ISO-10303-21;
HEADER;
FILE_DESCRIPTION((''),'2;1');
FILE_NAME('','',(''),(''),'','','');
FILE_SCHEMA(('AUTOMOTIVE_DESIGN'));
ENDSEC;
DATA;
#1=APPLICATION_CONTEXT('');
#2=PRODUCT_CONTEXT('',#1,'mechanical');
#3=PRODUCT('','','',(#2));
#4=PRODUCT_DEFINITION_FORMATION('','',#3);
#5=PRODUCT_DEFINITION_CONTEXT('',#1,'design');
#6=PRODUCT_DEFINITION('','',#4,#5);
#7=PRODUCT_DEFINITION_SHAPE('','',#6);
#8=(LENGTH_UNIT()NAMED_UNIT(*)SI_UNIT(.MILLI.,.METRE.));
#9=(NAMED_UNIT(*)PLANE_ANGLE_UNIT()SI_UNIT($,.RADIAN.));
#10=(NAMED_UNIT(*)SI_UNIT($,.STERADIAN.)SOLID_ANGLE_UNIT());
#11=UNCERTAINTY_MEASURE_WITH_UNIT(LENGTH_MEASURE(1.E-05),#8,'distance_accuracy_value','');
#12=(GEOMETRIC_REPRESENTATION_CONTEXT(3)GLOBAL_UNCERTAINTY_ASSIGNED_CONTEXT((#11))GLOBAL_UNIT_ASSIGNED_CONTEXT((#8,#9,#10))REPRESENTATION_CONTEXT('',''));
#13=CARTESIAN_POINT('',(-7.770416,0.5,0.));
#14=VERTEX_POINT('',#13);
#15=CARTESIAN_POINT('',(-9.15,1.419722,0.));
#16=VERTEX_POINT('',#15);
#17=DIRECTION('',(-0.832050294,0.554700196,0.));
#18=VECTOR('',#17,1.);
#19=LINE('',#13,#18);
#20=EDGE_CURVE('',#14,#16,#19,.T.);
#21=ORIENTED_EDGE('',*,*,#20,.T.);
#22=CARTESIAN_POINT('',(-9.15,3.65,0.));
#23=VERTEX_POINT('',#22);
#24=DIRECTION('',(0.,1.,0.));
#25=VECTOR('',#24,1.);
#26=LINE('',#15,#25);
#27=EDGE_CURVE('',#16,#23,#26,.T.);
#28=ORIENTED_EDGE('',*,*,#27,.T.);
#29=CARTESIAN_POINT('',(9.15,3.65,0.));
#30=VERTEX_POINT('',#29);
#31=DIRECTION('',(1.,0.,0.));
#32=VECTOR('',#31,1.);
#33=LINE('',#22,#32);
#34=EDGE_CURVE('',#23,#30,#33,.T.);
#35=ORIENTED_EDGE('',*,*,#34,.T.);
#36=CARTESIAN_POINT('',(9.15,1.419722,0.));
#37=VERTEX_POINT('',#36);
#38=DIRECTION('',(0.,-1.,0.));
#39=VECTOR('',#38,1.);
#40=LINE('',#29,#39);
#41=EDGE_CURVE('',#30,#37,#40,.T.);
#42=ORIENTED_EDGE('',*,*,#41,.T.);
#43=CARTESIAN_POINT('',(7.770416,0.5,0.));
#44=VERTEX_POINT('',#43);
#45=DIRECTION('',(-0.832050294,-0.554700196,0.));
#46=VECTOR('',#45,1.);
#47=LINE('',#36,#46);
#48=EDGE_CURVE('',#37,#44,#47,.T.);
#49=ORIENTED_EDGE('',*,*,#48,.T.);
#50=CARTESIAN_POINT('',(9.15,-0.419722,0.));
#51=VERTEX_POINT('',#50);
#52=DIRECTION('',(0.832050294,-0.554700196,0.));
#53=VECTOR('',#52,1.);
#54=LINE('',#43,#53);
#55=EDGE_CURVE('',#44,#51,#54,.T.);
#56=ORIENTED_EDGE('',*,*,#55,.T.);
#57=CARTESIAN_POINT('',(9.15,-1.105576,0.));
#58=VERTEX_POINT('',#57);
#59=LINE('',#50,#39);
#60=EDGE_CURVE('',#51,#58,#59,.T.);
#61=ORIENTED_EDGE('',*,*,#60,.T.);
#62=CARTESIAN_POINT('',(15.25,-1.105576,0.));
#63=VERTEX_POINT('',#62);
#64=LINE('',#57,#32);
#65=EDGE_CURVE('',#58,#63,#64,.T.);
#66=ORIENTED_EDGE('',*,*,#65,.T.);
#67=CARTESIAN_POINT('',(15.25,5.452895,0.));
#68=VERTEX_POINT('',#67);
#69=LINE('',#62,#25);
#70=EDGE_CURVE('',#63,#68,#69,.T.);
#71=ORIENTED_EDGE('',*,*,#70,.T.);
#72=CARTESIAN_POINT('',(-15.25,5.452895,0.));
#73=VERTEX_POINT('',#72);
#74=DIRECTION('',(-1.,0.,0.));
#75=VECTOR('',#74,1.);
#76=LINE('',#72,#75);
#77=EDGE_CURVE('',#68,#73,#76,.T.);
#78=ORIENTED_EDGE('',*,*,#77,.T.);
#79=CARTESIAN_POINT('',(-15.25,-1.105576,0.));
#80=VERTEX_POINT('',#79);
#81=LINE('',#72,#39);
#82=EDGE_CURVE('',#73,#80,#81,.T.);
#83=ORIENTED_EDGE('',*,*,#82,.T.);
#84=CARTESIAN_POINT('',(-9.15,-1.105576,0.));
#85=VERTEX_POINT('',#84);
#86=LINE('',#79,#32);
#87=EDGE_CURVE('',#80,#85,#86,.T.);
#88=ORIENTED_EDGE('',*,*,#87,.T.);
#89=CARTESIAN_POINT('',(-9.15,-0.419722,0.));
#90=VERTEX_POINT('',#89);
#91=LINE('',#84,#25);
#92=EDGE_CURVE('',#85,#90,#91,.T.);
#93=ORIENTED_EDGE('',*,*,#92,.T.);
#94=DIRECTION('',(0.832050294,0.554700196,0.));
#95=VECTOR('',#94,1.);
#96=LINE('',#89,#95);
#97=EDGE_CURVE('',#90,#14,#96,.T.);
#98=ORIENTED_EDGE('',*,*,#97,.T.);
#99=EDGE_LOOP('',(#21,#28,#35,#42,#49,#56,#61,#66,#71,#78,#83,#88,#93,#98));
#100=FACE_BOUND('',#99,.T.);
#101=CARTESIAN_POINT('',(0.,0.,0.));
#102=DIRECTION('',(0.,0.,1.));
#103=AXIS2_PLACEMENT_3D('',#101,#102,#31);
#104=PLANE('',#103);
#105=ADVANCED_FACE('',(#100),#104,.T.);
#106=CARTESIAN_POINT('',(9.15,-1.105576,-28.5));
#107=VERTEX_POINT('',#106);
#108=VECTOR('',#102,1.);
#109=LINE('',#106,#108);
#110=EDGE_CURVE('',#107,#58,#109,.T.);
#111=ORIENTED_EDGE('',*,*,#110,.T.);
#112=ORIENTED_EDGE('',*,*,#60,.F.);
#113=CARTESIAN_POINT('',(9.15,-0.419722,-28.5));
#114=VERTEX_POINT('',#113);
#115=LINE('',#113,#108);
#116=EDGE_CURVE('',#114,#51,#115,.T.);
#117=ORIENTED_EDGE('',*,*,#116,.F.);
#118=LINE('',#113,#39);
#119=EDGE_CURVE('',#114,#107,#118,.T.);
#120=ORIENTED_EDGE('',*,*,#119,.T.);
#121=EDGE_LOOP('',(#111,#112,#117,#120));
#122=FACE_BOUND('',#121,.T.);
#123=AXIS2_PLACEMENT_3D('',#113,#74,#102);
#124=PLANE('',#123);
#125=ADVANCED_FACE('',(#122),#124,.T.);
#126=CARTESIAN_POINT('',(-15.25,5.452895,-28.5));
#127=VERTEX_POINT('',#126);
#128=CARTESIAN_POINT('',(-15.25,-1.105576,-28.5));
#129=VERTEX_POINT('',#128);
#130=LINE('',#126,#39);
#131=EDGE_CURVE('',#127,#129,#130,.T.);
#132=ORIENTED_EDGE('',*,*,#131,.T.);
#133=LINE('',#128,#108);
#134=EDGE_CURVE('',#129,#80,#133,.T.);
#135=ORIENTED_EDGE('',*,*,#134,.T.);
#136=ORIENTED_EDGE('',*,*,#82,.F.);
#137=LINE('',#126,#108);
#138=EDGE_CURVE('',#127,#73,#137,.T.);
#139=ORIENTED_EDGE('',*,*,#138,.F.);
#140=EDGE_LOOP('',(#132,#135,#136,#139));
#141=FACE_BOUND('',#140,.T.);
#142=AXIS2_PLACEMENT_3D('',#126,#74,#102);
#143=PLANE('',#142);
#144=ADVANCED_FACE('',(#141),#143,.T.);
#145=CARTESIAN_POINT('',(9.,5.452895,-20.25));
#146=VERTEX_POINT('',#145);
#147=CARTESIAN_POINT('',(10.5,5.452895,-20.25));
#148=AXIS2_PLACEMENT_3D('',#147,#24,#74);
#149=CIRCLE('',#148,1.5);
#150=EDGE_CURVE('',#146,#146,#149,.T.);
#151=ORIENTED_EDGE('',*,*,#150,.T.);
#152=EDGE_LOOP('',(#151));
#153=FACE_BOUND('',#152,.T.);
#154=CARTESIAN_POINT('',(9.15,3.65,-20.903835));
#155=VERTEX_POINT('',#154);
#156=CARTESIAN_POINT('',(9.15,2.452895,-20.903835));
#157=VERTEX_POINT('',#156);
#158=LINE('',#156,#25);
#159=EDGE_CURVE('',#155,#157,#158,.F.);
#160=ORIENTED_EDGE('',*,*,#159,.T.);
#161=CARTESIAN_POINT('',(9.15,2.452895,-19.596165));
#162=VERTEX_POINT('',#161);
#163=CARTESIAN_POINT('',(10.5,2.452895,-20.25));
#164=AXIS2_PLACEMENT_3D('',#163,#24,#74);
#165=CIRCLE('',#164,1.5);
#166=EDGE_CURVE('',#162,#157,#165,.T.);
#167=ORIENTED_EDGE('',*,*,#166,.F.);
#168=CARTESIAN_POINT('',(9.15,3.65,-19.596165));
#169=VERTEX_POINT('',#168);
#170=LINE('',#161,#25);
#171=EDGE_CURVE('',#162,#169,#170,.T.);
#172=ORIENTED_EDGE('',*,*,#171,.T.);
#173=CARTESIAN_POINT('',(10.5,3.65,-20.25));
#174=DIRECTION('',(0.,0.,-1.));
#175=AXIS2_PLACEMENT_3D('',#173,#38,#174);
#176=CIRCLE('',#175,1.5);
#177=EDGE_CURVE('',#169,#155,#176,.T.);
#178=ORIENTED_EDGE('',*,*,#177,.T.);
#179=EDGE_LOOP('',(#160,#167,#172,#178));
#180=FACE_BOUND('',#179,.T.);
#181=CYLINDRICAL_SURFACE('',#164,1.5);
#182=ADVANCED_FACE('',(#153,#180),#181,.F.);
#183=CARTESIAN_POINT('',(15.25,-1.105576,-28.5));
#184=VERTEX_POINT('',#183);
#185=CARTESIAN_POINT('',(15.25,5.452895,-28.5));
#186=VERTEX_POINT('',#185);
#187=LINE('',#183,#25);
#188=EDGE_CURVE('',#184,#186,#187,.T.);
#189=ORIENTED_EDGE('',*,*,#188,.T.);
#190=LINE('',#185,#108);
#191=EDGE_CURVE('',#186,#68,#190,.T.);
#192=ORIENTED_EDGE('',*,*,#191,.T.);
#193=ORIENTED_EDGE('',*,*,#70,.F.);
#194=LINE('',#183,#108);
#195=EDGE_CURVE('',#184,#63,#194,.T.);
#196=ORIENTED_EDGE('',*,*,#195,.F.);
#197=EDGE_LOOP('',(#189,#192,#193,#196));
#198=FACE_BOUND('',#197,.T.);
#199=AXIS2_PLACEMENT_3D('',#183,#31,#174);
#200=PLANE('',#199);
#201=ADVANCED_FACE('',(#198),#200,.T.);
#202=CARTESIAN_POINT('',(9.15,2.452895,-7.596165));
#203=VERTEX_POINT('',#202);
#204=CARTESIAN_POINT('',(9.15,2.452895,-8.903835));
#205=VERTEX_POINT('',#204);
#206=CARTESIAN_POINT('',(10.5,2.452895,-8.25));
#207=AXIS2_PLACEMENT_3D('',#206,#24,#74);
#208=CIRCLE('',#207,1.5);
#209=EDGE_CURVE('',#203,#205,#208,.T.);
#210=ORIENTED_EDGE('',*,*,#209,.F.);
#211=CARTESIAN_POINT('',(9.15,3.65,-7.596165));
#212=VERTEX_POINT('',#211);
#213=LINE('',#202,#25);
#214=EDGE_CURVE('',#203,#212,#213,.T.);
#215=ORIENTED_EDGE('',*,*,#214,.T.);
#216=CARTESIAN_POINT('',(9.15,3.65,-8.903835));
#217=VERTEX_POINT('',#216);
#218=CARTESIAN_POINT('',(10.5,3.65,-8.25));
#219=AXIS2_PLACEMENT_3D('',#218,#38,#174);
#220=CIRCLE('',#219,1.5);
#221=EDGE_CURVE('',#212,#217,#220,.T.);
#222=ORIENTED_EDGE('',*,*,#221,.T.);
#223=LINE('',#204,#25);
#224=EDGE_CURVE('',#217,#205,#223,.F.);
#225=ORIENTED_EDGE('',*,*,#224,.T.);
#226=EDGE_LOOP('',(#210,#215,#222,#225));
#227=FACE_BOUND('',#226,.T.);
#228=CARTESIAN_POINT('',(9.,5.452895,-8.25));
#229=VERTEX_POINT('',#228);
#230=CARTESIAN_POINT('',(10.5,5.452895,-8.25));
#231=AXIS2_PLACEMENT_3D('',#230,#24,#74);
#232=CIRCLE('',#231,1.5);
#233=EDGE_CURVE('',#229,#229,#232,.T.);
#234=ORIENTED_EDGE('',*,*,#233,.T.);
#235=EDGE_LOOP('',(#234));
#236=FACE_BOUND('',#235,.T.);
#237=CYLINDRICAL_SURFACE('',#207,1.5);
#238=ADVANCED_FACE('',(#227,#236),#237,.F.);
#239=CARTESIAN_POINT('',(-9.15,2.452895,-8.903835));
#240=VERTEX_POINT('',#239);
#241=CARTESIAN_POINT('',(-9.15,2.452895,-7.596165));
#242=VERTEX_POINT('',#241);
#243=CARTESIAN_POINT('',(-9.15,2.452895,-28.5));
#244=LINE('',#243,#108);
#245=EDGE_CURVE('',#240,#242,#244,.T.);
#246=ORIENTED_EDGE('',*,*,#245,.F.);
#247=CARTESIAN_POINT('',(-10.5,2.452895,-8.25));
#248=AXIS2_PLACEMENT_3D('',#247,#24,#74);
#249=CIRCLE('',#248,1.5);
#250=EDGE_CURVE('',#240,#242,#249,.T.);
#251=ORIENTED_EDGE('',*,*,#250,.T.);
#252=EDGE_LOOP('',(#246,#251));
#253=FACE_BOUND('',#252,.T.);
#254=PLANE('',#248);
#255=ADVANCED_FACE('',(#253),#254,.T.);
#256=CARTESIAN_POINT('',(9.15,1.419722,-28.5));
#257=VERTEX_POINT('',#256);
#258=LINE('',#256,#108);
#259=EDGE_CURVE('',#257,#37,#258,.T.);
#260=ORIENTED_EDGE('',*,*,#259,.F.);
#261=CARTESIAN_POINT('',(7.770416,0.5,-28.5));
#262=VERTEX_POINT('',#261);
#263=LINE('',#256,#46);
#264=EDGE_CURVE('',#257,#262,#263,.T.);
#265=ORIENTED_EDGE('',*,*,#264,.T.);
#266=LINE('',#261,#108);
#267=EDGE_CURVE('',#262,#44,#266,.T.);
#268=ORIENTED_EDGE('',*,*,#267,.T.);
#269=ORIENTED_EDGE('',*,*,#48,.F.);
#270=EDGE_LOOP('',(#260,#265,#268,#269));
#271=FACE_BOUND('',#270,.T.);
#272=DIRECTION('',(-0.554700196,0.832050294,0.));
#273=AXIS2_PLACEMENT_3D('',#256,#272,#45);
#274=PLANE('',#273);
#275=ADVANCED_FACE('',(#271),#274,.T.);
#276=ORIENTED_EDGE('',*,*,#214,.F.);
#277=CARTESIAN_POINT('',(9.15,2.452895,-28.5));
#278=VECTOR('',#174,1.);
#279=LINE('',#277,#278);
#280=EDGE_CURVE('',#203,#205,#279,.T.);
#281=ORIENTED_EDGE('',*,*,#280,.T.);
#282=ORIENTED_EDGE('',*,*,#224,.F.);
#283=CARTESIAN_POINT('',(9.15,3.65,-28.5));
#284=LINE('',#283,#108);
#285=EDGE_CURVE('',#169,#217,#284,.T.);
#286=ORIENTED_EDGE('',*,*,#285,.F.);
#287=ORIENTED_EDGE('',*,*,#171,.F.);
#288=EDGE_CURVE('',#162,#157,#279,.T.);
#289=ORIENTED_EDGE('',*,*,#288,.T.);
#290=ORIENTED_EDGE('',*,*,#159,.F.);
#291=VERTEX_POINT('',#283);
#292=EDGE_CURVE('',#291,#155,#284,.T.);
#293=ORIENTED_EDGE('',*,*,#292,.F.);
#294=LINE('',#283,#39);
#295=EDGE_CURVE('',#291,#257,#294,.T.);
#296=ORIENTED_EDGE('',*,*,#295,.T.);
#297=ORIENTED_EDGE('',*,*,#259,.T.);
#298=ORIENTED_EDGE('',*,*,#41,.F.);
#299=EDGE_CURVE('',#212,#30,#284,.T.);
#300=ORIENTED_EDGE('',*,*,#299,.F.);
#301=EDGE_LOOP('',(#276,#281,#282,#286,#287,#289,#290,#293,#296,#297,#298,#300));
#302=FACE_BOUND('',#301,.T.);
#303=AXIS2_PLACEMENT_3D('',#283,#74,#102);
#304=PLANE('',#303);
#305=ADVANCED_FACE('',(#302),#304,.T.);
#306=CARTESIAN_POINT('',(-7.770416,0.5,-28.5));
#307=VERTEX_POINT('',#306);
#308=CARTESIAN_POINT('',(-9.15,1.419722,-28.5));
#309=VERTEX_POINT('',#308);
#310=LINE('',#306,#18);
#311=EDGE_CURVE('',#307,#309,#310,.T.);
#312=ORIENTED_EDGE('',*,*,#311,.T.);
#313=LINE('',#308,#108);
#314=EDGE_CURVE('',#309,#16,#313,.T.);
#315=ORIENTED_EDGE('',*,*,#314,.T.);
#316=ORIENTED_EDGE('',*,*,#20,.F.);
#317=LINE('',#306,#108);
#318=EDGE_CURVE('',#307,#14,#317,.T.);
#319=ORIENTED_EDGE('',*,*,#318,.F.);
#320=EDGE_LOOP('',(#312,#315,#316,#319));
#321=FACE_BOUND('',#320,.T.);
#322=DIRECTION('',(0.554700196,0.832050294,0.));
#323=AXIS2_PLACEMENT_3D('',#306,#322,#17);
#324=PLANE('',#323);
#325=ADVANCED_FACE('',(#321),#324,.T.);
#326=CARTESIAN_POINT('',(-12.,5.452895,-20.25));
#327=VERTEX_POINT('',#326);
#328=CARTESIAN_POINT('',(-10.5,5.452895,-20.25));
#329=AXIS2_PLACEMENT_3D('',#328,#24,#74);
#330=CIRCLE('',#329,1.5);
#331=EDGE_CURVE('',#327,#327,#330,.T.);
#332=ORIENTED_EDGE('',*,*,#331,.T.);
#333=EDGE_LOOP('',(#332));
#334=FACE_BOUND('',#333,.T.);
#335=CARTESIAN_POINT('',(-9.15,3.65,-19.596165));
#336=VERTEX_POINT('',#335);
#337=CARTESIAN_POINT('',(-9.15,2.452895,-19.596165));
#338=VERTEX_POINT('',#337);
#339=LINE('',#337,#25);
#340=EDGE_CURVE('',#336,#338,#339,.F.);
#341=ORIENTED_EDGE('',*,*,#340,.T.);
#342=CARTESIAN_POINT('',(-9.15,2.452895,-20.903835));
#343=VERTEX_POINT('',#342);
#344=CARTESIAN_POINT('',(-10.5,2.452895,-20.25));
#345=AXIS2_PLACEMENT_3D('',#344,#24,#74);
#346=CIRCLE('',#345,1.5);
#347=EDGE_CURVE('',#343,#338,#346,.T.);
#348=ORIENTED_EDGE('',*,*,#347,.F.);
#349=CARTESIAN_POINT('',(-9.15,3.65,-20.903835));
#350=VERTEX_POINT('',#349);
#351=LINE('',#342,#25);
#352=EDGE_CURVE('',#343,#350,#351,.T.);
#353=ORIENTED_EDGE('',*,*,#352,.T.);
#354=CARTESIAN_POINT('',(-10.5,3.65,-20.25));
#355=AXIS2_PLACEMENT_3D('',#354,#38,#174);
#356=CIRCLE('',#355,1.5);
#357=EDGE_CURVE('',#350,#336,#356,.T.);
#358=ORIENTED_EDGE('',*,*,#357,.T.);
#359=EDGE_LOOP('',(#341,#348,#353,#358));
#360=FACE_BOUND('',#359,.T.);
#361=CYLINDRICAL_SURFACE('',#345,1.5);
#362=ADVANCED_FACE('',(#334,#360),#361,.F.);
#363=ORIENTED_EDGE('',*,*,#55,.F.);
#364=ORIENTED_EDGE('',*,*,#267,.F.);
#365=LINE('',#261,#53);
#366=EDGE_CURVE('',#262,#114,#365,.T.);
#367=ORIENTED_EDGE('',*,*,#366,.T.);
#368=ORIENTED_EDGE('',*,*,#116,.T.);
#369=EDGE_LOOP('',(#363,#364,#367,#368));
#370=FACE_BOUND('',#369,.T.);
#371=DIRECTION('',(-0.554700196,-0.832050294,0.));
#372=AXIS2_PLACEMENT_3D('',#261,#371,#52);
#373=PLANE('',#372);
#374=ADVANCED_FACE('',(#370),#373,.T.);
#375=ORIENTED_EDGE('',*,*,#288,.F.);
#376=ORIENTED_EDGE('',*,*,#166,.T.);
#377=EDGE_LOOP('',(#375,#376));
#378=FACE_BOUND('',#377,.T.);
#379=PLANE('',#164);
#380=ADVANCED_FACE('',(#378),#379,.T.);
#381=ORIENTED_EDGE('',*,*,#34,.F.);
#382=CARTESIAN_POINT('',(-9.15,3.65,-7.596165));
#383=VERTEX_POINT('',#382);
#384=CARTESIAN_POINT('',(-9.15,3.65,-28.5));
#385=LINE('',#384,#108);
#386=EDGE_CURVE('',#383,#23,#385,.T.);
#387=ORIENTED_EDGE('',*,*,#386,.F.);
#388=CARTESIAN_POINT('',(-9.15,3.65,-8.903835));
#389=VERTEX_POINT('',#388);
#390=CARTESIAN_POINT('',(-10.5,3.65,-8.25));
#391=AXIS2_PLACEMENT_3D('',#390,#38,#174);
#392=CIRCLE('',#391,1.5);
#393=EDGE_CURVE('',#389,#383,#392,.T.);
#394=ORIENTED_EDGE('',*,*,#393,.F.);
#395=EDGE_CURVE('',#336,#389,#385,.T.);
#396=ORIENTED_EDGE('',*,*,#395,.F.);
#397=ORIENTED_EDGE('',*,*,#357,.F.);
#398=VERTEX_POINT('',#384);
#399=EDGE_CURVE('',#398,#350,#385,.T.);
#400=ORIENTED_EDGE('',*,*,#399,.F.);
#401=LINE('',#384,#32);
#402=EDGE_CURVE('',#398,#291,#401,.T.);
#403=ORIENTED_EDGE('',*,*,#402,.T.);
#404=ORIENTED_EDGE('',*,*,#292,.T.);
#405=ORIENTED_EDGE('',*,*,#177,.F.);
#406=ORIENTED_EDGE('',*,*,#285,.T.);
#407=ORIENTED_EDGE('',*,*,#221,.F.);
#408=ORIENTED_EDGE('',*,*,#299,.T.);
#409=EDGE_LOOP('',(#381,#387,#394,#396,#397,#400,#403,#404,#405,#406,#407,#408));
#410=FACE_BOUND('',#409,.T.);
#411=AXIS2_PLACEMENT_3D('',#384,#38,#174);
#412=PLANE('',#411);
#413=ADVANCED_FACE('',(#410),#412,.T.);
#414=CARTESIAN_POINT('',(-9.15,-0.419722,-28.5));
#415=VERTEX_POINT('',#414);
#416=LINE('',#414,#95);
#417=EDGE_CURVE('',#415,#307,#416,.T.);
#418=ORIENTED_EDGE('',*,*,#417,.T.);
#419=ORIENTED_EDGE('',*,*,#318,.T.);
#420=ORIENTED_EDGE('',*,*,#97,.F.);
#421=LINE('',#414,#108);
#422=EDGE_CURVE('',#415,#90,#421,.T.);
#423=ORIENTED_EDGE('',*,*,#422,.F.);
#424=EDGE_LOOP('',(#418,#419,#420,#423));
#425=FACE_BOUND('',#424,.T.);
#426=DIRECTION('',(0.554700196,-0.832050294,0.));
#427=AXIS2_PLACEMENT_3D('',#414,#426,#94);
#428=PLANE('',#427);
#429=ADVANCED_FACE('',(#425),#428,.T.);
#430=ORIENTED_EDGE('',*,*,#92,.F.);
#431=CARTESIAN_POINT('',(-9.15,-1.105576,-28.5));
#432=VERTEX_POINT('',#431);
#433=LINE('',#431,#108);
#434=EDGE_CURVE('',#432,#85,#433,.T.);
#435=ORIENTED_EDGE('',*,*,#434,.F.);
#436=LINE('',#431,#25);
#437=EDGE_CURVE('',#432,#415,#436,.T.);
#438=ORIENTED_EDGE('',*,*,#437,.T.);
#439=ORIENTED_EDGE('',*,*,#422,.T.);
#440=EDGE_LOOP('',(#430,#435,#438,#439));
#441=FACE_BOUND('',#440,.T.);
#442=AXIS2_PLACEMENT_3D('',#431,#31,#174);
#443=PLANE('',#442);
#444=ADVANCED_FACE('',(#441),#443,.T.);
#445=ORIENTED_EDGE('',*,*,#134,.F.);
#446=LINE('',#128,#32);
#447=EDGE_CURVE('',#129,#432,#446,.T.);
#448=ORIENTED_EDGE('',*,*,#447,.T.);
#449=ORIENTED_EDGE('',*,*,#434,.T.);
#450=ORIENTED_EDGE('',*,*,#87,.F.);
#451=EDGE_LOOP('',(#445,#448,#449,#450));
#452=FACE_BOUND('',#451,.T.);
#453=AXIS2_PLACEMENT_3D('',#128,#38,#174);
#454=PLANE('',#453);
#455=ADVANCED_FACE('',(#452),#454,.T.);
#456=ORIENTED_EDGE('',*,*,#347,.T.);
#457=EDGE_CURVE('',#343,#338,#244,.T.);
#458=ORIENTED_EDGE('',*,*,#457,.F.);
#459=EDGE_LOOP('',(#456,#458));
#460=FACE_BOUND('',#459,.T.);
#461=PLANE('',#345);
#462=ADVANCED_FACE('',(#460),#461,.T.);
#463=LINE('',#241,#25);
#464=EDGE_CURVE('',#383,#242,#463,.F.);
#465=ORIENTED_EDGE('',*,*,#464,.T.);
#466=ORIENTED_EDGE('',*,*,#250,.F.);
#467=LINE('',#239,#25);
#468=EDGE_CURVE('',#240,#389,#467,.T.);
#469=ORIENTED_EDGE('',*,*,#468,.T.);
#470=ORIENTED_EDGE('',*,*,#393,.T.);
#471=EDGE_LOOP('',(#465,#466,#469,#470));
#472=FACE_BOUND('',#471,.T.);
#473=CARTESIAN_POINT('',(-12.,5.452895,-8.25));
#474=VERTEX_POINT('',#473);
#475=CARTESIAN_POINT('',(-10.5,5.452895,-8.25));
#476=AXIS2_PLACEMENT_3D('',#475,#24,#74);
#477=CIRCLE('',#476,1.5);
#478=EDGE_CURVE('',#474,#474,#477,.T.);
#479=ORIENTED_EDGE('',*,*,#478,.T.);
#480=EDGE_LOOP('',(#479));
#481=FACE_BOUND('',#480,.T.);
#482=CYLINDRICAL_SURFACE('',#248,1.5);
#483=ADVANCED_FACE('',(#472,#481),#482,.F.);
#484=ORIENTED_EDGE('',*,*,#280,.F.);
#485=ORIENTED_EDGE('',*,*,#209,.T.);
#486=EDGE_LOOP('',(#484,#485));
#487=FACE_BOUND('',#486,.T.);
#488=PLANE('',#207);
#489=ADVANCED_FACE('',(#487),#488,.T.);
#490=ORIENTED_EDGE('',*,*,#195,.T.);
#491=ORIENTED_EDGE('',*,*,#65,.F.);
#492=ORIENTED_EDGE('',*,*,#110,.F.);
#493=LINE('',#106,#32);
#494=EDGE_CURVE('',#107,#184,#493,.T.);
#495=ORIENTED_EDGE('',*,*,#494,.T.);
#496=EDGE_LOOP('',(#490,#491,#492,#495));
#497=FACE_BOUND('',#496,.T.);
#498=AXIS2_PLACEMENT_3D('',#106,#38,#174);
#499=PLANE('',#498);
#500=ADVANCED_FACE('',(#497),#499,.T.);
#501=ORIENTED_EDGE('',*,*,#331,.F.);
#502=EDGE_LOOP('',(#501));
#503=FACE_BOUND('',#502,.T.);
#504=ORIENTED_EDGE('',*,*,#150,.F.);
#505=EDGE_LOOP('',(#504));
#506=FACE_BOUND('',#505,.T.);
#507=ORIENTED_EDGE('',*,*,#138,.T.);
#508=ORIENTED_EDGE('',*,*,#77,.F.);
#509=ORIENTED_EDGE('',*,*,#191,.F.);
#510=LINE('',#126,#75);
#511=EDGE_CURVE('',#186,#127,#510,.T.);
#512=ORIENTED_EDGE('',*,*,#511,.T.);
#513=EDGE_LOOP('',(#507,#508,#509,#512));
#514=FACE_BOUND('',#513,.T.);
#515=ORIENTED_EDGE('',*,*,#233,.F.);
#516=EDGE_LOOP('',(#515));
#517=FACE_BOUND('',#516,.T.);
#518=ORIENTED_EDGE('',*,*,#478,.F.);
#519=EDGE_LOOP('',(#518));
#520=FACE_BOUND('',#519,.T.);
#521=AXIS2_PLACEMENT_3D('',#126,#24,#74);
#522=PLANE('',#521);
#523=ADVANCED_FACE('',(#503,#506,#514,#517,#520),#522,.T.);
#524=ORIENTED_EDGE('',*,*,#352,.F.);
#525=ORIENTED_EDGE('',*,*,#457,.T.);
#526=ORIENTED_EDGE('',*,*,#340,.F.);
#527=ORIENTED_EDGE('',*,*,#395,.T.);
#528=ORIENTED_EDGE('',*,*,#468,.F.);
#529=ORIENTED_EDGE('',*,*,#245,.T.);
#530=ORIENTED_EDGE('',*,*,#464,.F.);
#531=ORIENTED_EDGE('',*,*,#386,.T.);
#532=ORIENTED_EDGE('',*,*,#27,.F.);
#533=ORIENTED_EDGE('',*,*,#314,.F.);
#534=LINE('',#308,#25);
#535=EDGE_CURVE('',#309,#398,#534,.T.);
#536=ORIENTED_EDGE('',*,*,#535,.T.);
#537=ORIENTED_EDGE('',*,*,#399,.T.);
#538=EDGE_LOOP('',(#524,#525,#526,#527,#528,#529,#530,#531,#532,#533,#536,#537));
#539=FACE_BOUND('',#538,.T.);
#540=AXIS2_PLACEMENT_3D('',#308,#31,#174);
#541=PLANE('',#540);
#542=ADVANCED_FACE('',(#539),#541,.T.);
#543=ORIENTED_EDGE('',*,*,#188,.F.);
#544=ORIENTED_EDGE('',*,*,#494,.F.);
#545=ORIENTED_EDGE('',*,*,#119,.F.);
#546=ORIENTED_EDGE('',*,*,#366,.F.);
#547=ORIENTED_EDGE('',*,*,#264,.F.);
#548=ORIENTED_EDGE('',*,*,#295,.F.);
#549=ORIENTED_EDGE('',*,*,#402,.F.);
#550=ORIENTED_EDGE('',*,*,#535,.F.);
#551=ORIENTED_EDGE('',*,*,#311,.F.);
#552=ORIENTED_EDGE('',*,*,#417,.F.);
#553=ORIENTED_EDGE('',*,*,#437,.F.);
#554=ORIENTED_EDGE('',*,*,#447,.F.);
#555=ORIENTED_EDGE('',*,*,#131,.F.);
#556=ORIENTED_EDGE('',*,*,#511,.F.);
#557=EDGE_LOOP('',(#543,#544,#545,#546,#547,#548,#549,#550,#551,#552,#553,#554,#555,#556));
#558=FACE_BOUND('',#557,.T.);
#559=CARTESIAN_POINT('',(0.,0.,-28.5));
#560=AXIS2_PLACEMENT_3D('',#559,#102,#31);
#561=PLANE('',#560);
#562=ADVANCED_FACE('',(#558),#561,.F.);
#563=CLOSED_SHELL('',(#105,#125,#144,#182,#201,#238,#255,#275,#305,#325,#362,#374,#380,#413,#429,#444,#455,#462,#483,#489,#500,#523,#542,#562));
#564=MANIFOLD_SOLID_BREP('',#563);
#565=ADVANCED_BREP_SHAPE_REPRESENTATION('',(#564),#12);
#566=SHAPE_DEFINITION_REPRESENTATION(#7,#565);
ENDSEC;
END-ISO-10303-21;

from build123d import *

# Parameters (mm, degrees)
BOSS_EXTRUDE1_DEPTH = 28.5
SKETCH2_R           = 1.5
CUT_EXTRUDE1_DEPTH  = 3


with BuildPart() as part:
    # Sketch1 → Boss-Extrude1 (new body)
    with BuildSketch(Plane.XY):
        Polygon((-9.15, -1.105576246), (-9.15, -0.419722436), (-7.770416346, 0.5), (-9.15, 1.419722436), (-9.15, 3.65), (9.15, 3.65), (9.15, 1.419722436), (7.770416346, 0.5), (9.15, -0.419722436), (9.15, -1.105576246), (15.25, -1.105576246), (15.25, 5.45289456), (-15.25, 5.45289456), (-15.25, -1.105576246), align=None)
    extrude(amount=-BOSS_EXTRUDE1_DEPTH)

    # Sketch2 → Cut-Extrude1 (cut)
    with BuildSketch(Plane(origin=(0, 5.45289456, 0), x_dir=(1, 0, 0), z_dir=(0, 1, 0))):
        with Locations((-10.5, 8.25)):
            Circle(SKETCH2_R)
        with Locations((-10.5, 20.25)):
            Circle(SKETCH2_R)
        with Locations((10.5, 20.25)):
            Circle(SKETCH2_R)
        with Locations((10.5, 8.25)):
            Circle(SKETCH2_R)
    extrude(amount=-CUT_EXTRUDE1_DEPTH, mode=Mode.SUBTRACT)


solid = part.part
